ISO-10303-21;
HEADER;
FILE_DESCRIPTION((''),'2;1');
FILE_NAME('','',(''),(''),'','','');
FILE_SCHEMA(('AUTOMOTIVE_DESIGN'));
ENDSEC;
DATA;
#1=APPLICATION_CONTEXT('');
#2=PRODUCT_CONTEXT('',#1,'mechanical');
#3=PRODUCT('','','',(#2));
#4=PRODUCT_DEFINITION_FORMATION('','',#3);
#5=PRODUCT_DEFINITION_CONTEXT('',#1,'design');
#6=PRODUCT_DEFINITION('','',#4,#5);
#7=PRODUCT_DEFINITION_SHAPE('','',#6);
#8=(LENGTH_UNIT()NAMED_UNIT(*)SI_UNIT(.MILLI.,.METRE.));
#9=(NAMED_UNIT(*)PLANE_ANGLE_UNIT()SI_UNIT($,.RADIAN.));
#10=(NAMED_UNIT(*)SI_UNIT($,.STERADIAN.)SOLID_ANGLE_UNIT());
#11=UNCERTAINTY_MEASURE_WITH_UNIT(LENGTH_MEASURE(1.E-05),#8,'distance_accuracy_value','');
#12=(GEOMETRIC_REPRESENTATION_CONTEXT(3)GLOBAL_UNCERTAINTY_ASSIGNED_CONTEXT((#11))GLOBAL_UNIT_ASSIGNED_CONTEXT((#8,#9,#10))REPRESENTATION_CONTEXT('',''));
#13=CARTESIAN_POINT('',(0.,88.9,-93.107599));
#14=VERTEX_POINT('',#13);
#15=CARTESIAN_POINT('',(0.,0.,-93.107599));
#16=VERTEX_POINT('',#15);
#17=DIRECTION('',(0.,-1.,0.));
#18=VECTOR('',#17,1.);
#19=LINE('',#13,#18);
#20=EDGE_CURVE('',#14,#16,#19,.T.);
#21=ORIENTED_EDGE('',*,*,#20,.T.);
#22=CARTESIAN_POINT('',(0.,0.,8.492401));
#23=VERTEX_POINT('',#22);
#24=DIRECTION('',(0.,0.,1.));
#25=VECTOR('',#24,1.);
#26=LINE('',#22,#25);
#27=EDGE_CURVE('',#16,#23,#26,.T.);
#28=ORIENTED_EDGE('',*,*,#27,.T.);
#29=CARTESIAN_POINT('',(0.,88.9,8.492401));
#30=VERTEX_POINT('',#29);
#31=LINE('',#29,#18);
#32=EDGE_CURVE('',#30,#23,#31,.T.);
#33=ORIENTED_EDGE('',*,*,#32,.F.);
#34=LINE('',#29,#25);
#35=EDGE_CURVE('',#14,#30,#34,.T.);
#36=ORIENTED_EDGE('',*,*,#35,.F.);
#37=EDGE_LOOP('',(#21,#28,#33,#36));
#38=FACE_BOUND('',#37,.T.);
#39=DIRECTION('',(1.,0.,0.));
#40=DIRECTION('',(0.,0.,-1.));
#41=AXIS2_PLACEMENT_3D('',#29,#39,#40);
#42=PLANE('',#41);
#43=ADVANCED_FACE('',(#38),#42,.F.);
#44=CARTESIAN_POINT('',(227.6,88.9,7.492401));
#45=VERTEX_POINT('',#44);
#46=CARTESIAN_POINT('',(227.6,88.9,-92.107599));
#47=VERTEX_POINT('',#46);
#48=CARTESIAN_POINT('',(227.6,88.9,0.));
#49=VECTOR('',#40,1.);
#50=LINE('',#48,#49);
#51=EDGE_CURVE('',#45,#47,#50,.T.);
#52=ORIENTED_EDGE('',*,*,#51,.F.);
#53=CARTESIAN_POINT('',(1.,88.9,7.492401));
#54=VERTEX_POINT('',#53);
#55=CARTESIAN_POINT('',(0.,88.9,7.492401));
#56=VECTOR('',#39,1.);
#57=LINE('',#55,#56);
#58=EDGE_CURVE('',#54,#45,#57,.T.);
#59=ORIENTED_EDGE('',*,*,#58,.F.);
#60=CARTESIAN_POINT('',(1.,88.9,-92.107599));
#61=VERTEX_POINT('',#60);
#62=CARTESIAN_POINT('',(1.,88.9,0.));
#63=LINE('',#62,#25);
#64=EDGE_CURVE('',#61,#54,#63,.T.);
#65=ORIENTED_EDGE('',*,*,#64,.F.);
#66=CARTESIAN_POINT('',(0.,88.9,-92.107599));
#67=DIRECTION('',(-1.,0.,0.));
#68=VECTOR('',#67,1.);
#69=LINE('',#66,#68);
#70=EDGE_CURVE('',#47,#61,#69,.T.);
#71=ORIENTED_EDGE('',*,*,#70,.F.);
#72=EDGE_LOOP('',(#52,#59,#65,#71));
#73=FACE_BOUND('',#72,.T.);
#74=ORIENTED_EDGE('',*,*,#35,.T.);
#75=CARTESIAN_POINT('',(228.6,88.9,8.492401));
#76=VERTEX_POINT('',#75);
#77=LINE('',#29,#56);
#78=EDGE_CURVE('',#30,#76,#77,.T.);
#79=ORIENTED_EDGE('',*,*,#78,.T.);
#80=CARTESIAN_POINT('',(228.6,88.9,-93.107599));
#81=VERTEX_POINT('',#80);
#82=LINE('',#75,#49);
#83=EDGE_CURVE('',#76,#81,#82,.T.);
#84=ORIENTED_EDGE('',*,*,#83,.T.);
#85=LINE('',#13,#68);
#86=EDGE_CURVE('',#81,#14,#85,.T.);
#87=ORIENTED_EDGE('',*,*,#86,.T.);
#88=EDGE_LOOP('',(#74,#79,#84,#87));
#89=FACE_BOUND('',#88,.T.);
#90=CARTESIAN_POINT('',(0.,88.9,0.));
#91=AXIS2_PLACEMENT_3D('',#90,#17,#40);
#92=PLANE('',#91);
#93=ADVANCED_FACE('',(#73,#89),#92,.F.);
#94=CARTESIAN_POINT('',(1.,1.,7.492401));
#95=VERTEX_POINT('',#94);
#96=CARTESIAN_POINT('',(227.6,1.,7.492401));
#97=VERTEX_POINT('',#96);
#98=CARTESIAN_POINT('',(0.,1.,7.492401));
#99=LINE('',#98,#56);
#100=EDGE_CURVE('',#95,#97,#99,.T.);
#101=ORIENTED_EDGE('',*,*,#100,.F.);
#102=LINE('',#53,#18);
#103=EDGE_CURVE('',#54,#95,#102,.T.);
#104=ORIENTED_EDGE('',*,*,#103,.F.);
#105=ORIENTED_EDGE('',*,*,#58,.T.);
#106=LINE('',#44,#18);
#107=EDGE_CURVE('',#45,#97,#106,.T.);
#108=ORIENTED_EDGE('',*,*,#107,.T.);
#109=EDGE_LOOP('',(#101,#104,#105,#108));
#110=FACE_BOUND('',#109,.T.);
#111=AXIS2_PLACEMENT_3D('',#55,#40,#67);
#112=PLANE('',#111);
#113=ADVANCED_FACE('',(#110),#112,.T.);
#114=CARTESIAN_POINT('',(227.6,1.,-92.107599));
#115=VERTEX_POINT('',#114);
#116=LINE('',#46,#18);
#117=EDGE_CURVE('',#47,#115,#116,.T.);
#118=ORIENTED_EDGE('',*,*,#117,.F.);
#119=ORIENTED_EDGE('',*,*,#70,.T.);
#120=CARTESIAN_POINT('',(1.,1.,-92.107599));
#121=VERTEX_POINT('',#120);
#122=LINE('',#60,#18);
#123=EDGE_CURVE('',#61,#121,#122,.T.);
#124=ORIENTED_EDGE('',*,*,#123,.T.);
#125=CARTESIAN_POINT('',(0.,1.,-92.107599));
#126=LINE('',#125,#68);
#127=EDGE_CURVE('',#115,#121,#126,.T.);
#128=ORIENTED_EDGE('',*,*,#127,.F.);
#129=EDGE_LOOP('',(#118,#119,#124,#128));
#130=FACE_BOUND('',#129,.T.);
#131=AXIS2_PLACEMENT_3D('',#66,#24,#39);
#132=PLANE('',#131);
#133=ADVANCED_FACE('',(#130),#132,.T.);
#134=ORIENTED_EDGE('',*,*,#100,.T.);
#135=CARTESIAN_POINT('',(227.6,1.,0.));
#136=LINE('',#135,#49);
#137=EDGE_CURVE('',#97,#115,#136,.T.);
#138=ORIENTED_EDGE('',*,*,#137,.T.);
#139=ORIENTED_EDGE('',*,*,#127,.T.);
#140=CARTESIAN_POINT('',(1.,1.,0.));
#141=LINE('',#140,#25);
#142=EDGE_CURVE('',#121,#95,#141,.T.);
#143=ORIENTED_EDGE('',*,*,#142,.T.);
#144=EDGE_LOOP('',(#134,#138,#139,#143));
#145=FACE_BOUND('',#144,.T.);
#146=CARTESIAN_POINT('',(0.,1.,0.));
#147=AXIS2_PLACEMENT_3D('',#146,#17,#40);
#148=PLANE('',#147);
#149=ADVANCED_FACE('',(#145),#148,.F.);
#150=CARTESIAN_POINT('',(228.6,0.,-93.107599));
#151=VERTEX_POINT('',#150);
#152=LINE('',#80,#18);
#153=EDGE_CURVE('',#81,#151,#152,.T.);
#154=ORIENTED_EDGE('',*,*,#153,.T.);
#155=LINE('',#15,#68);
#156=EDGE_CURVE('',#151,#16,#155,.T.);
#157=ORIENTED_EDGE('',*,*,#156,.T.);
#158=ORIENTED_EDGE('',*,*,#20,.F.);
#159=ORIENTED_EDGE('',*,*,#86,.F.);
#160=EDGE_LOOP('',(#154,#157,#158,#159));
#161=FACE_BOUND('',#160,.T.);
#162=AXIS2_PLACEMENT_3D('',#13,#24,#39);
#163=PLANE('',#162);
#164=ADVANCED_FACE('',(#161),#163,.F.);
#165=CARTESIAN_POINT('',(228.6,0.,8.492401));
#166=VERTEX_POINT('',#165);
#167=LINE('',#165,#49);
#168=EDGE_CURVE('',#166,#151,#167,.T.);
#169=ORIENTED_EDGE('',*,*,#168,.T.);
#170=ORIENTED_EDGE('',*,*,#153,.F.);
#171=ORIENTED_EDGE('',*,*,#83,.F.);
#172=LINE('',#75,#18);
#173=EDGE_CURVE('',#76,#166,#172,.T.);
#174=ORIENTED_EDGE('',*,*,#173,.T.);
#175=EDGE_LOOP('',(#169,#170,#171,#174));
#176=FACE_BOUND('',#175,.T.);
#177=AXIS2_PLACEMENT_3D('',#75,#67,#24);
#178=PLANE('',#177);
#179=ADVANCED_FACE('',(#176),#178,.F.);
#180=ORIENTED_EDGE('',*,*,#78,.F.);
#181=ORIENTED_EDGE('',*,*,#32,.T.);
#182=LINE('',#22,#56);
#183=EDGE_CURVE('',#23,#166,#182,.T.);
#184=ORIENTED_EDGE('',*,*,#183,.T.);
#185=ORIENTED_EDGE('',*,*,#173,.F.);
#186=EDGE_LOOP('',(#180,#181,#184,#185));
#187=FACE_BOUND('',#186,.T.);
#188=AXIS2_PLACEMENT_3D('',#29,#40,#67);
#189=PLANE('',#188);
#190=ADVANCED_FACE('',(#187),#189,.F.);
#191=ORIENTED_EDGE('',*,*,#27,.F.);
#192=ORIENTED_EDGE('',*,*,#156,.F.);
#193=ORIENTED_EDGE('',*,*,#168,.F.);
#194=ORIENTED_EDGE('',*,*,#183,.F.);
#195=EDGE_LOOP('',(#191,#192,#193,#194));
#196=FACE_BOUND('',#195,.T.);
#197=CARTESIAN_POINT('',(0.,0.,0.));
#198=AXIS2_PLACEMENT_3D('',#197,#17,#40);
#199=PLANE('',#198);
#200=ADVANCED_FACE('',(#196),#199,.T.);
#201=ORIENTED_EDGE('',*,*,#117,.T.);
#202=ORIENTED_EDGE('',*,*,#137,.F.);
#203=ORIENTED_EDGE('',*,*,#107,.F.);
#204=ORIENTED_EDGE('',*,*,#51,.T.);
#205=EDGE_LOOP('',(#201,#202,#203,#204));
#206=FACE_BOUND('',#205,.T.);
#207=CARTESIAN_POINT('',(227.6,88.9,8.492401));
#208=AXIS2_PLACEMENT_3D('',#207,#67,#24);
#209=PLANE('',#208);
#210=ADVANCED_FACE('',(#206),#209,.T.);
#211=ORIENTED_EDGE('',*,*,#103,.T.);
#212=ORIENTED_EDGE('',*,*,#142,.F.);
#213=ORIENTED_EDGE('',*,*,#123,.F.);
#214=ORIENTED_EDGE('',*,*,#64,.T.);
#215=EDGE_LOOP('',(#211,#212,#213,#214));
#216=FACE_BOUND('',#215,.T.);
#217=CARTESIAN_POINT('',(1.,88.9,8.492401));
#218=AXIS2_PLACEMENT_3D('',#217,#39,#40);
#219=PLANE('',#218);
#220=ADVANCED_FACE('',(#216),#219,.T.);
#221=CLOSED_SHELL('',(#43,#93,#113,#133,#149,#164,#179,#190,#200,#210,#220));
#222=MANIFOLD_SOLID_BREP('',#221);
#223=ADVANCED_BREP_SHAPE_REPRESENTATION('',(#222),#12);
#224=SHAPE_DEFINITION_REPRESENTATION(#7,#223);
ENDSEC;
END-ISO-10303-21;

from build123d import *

# Parameters (mm, degrees)
SKETCH1_W           = 228.6
SKETCH1_H           = 101.6
BOSS_EXTRUDE1_DEPTH = 88.9
SHELL1_T            = -1


with BuildPart() as part:
    # Sketch1 → Boss-Extrude1 (new body)
    with BuildSketch(Plane(origin=(0, 0, 0), x_dir=(1, 0, 0), z_dir=(0, 1, 0))):
        with Locations((114.3, 42.307598784)):
            Rectangle(SKETCH1_W, SKETCH1_H)
    extrude(amount=BOSS_EXTRUDE1_DEPTH)

    # Shell1
    shell1_openings = [part.faces().sort_by_distance(p)[0] for p in [
        (114.3, 88.9, -42.307598784),
    ]]
    offset(amount=SHELL1_T, openings=shell1_openings, kind=Kind.INTERSECTION)


solid = part.part
